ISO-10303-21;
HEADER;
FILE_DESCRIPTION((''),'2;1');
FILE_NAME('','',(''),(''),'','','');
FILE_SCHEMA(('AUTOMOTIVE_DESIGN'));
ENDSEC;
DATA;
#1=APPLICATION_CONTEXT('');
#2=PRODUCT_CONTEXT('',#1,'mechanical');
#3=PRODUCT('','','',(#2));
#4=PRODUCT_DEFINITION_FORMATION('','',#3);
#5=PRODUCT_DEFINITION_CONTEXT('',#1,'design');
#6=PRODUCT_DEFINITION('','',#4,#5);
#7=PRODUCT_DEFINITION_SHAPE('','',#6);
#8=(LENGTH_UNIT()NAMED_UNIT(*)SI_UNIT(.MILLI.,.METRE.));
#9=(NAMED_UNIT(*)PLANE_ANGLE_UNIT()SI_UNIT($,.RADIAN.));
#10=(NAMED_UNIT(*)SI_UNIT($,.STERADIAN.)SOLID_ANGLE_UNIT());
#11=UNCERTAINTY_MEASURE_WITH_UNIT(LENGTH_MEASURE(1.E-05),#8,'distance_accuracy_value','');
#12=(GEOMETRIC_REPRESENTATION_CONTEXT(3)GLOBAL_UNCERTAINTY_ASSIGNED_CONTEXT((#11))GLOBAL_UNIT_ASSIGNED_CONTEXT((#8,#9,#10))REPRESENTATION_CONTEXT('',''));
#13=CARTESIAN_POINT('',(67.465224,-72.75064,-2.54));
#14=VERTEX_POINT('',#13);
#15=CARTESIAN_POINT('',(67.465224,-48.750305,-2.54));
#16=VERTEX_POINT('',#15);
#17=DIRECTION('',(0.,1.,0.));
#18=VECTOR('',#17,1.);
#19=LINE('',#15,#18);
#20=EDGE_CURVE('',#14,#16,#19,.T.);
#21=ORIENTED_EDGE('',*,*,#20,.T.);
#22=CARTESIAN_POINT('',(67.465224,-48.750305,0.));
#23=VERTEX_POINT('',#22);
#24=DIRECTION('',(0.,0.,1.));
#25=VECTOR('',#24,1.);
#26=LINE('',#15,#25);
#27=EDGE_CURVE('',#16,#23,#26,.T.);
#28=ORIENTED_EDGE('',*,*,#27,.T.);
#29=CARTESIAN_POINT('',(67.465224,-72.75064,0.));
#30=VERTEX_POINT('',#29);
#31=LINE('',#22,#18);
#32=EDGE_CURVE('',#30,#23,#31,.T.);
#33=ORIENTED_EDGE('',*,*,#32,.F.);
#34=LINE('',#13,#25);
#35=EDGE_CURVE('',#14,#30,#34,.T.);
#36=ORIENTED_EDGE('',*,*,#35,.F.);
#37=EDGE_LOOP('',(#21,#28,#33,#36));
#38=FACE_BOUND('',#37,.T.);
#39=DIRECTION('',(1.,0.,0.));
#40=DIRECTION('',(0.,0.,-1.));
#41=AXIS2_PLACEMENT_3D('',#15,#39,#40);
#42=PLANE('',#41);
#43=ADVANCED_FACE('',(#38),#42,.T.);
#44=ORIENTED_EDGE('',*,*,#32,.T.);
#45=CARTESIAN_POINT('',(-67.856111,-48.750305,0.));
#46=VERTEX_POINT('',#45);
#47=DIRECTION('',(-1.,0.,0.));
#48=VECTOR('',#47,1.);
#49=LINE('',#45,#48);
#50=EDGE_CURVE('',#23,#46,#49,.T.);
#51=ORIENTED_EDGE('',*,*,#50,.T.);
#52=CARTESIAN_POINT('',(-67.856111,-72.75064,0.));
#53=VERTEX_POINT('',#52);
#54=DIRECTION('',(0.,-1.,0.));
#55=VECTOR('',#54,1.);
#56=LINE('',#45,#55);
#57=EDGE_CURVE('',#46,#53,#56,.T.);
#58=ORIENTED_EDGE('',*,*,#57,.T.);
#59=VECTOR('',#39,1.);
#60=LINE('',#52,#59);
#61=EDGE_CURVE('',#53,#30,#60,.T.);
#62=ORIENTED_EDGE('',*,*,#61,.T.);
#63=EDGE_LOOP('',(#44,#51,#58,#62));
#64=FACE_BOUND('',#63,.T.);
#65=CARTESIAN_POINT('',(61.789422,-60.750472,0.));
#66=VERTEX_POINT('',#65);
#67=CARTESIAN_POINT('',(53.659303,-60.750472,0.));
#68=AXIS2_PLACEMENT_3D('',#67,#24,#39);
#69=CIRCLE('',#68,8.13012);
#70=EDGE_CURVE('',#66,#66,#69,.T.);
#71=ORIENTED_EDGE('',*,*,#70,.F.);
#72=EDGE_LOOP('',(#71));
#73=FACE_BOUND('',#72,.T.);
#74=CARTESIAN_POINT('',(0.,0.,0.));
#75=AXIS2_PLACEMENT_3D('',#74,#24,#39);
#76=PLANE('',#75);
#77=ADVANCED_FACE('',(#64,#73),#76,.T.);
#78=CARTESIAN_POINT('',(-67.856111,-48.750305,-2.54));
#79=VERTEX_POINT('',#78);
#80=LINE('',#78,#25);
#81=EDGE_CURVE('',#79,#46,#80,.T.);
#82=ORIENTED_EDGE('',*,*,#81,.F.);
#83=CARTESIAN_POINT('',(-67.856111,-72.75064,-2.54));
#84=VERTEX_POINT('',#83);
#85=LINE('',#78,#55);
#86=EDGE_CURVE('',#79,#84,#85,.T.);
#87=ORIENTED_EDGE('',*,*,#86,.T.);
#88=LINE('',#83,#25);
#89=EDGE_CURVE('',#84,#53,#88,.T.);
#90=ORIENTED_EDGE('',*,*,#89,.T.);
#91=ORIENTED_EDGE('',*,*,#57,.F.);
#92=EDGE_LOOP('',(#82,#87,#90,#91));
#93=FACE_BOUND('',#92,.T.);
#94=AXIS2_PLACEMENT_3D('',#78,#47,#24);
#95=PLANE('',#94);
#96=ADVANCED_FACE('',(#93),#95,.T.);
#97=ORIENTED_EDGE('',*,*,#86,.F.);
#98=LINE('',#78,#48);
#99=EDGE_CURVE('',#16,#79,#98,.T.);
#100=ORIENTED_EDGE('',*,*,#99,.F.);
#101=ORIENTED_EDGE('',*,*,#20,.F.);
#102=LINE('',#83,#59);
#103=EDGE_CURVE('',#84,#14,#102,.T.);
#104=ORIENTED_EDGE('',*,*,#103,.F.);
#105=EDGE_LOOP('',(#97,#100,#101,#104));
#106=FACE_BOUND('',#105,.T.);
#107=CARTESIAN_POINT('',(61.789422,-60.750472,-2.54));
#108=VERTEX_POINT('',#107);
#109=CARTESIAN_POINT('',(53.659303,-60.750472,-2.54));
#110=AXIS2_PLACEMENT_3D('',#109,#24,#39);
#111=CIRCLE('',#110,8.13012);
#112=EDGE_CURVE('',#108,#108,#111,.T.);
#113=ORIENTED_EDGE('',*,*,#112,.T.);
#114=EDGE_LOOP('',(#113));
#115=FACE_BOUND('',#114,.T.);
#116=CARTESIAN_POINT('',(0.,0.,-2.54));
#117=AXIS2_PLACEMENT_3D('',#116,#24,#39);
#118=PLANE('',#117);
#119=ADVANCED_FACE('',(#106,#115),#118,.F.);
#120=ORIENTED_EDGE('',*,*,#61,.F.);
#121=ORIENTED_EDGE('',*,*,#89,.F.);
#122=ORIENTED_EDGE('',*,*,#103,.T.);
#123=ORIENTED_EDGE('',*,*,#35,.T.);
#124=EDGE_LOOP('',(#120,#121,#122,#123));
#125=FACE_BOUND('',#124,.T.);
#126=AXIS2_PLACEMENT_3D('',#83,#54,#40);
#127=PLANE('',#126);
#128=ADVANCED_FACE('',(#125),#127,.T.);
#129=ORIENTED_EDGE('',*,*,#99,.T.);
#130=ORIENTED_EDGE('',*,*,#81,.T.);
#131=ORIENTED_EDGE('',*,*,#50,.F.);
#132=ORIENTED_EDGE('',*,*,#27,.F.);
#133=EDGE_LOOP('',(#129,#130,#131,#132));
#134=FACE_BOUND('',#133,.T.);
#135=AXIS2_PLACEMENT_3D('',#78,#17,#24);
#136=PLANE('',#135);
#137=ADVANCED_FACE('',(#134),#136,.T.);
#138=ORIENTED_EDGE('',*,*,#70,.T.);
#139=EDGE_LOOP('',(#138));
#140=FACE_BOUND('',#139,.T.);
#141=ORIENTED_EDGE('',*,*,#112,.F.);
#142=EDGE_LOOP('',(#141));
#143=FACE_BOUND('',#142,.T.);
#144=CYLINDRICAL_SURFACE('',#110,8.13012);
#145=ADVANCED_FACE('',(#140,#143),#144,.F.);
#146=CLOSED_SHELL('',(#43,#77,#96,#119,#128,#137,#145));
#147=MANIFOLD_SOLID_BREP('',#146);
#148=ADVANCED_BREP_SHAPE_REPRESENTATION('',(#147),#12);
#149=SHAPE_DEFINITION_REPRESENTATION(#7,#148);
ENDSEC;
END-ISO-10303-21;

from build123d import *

# Parameters (mm, degrees)
SKETCH1_W           = 135.321335131
SKETCH1_H           = 24.000335308
BOSS_EXTRUDE1_DEPTH = 2.54
SKETCH2_R           = 8.130119586
CUT_EXTRUDE1_DEPTH  = 3.54


with BuildPart() as part:
    # Sketch1 → Boss-Extrude1 (new body)
    with BuildSketch(Plane.XY):
        with Locations((-0.195443485, -60.750472416)):
            Rectangle(SKETCH1_W, SKETCH1_H)
    extrude(amount=-BOSS_EXTRUDE1_DEPTH)

    # Sketch2 → Cut-Extrude1 (cut, through all)
    with BuildSketch(Plane.XY):
        with Locations((53.659302676, -60.750472416)):
            Circle(SKETCH2_R)
    extrude(amount=-CUT_EXTRUDE1_DEPTH, mode=Mode.SUBTRACT)


solid = part.part
